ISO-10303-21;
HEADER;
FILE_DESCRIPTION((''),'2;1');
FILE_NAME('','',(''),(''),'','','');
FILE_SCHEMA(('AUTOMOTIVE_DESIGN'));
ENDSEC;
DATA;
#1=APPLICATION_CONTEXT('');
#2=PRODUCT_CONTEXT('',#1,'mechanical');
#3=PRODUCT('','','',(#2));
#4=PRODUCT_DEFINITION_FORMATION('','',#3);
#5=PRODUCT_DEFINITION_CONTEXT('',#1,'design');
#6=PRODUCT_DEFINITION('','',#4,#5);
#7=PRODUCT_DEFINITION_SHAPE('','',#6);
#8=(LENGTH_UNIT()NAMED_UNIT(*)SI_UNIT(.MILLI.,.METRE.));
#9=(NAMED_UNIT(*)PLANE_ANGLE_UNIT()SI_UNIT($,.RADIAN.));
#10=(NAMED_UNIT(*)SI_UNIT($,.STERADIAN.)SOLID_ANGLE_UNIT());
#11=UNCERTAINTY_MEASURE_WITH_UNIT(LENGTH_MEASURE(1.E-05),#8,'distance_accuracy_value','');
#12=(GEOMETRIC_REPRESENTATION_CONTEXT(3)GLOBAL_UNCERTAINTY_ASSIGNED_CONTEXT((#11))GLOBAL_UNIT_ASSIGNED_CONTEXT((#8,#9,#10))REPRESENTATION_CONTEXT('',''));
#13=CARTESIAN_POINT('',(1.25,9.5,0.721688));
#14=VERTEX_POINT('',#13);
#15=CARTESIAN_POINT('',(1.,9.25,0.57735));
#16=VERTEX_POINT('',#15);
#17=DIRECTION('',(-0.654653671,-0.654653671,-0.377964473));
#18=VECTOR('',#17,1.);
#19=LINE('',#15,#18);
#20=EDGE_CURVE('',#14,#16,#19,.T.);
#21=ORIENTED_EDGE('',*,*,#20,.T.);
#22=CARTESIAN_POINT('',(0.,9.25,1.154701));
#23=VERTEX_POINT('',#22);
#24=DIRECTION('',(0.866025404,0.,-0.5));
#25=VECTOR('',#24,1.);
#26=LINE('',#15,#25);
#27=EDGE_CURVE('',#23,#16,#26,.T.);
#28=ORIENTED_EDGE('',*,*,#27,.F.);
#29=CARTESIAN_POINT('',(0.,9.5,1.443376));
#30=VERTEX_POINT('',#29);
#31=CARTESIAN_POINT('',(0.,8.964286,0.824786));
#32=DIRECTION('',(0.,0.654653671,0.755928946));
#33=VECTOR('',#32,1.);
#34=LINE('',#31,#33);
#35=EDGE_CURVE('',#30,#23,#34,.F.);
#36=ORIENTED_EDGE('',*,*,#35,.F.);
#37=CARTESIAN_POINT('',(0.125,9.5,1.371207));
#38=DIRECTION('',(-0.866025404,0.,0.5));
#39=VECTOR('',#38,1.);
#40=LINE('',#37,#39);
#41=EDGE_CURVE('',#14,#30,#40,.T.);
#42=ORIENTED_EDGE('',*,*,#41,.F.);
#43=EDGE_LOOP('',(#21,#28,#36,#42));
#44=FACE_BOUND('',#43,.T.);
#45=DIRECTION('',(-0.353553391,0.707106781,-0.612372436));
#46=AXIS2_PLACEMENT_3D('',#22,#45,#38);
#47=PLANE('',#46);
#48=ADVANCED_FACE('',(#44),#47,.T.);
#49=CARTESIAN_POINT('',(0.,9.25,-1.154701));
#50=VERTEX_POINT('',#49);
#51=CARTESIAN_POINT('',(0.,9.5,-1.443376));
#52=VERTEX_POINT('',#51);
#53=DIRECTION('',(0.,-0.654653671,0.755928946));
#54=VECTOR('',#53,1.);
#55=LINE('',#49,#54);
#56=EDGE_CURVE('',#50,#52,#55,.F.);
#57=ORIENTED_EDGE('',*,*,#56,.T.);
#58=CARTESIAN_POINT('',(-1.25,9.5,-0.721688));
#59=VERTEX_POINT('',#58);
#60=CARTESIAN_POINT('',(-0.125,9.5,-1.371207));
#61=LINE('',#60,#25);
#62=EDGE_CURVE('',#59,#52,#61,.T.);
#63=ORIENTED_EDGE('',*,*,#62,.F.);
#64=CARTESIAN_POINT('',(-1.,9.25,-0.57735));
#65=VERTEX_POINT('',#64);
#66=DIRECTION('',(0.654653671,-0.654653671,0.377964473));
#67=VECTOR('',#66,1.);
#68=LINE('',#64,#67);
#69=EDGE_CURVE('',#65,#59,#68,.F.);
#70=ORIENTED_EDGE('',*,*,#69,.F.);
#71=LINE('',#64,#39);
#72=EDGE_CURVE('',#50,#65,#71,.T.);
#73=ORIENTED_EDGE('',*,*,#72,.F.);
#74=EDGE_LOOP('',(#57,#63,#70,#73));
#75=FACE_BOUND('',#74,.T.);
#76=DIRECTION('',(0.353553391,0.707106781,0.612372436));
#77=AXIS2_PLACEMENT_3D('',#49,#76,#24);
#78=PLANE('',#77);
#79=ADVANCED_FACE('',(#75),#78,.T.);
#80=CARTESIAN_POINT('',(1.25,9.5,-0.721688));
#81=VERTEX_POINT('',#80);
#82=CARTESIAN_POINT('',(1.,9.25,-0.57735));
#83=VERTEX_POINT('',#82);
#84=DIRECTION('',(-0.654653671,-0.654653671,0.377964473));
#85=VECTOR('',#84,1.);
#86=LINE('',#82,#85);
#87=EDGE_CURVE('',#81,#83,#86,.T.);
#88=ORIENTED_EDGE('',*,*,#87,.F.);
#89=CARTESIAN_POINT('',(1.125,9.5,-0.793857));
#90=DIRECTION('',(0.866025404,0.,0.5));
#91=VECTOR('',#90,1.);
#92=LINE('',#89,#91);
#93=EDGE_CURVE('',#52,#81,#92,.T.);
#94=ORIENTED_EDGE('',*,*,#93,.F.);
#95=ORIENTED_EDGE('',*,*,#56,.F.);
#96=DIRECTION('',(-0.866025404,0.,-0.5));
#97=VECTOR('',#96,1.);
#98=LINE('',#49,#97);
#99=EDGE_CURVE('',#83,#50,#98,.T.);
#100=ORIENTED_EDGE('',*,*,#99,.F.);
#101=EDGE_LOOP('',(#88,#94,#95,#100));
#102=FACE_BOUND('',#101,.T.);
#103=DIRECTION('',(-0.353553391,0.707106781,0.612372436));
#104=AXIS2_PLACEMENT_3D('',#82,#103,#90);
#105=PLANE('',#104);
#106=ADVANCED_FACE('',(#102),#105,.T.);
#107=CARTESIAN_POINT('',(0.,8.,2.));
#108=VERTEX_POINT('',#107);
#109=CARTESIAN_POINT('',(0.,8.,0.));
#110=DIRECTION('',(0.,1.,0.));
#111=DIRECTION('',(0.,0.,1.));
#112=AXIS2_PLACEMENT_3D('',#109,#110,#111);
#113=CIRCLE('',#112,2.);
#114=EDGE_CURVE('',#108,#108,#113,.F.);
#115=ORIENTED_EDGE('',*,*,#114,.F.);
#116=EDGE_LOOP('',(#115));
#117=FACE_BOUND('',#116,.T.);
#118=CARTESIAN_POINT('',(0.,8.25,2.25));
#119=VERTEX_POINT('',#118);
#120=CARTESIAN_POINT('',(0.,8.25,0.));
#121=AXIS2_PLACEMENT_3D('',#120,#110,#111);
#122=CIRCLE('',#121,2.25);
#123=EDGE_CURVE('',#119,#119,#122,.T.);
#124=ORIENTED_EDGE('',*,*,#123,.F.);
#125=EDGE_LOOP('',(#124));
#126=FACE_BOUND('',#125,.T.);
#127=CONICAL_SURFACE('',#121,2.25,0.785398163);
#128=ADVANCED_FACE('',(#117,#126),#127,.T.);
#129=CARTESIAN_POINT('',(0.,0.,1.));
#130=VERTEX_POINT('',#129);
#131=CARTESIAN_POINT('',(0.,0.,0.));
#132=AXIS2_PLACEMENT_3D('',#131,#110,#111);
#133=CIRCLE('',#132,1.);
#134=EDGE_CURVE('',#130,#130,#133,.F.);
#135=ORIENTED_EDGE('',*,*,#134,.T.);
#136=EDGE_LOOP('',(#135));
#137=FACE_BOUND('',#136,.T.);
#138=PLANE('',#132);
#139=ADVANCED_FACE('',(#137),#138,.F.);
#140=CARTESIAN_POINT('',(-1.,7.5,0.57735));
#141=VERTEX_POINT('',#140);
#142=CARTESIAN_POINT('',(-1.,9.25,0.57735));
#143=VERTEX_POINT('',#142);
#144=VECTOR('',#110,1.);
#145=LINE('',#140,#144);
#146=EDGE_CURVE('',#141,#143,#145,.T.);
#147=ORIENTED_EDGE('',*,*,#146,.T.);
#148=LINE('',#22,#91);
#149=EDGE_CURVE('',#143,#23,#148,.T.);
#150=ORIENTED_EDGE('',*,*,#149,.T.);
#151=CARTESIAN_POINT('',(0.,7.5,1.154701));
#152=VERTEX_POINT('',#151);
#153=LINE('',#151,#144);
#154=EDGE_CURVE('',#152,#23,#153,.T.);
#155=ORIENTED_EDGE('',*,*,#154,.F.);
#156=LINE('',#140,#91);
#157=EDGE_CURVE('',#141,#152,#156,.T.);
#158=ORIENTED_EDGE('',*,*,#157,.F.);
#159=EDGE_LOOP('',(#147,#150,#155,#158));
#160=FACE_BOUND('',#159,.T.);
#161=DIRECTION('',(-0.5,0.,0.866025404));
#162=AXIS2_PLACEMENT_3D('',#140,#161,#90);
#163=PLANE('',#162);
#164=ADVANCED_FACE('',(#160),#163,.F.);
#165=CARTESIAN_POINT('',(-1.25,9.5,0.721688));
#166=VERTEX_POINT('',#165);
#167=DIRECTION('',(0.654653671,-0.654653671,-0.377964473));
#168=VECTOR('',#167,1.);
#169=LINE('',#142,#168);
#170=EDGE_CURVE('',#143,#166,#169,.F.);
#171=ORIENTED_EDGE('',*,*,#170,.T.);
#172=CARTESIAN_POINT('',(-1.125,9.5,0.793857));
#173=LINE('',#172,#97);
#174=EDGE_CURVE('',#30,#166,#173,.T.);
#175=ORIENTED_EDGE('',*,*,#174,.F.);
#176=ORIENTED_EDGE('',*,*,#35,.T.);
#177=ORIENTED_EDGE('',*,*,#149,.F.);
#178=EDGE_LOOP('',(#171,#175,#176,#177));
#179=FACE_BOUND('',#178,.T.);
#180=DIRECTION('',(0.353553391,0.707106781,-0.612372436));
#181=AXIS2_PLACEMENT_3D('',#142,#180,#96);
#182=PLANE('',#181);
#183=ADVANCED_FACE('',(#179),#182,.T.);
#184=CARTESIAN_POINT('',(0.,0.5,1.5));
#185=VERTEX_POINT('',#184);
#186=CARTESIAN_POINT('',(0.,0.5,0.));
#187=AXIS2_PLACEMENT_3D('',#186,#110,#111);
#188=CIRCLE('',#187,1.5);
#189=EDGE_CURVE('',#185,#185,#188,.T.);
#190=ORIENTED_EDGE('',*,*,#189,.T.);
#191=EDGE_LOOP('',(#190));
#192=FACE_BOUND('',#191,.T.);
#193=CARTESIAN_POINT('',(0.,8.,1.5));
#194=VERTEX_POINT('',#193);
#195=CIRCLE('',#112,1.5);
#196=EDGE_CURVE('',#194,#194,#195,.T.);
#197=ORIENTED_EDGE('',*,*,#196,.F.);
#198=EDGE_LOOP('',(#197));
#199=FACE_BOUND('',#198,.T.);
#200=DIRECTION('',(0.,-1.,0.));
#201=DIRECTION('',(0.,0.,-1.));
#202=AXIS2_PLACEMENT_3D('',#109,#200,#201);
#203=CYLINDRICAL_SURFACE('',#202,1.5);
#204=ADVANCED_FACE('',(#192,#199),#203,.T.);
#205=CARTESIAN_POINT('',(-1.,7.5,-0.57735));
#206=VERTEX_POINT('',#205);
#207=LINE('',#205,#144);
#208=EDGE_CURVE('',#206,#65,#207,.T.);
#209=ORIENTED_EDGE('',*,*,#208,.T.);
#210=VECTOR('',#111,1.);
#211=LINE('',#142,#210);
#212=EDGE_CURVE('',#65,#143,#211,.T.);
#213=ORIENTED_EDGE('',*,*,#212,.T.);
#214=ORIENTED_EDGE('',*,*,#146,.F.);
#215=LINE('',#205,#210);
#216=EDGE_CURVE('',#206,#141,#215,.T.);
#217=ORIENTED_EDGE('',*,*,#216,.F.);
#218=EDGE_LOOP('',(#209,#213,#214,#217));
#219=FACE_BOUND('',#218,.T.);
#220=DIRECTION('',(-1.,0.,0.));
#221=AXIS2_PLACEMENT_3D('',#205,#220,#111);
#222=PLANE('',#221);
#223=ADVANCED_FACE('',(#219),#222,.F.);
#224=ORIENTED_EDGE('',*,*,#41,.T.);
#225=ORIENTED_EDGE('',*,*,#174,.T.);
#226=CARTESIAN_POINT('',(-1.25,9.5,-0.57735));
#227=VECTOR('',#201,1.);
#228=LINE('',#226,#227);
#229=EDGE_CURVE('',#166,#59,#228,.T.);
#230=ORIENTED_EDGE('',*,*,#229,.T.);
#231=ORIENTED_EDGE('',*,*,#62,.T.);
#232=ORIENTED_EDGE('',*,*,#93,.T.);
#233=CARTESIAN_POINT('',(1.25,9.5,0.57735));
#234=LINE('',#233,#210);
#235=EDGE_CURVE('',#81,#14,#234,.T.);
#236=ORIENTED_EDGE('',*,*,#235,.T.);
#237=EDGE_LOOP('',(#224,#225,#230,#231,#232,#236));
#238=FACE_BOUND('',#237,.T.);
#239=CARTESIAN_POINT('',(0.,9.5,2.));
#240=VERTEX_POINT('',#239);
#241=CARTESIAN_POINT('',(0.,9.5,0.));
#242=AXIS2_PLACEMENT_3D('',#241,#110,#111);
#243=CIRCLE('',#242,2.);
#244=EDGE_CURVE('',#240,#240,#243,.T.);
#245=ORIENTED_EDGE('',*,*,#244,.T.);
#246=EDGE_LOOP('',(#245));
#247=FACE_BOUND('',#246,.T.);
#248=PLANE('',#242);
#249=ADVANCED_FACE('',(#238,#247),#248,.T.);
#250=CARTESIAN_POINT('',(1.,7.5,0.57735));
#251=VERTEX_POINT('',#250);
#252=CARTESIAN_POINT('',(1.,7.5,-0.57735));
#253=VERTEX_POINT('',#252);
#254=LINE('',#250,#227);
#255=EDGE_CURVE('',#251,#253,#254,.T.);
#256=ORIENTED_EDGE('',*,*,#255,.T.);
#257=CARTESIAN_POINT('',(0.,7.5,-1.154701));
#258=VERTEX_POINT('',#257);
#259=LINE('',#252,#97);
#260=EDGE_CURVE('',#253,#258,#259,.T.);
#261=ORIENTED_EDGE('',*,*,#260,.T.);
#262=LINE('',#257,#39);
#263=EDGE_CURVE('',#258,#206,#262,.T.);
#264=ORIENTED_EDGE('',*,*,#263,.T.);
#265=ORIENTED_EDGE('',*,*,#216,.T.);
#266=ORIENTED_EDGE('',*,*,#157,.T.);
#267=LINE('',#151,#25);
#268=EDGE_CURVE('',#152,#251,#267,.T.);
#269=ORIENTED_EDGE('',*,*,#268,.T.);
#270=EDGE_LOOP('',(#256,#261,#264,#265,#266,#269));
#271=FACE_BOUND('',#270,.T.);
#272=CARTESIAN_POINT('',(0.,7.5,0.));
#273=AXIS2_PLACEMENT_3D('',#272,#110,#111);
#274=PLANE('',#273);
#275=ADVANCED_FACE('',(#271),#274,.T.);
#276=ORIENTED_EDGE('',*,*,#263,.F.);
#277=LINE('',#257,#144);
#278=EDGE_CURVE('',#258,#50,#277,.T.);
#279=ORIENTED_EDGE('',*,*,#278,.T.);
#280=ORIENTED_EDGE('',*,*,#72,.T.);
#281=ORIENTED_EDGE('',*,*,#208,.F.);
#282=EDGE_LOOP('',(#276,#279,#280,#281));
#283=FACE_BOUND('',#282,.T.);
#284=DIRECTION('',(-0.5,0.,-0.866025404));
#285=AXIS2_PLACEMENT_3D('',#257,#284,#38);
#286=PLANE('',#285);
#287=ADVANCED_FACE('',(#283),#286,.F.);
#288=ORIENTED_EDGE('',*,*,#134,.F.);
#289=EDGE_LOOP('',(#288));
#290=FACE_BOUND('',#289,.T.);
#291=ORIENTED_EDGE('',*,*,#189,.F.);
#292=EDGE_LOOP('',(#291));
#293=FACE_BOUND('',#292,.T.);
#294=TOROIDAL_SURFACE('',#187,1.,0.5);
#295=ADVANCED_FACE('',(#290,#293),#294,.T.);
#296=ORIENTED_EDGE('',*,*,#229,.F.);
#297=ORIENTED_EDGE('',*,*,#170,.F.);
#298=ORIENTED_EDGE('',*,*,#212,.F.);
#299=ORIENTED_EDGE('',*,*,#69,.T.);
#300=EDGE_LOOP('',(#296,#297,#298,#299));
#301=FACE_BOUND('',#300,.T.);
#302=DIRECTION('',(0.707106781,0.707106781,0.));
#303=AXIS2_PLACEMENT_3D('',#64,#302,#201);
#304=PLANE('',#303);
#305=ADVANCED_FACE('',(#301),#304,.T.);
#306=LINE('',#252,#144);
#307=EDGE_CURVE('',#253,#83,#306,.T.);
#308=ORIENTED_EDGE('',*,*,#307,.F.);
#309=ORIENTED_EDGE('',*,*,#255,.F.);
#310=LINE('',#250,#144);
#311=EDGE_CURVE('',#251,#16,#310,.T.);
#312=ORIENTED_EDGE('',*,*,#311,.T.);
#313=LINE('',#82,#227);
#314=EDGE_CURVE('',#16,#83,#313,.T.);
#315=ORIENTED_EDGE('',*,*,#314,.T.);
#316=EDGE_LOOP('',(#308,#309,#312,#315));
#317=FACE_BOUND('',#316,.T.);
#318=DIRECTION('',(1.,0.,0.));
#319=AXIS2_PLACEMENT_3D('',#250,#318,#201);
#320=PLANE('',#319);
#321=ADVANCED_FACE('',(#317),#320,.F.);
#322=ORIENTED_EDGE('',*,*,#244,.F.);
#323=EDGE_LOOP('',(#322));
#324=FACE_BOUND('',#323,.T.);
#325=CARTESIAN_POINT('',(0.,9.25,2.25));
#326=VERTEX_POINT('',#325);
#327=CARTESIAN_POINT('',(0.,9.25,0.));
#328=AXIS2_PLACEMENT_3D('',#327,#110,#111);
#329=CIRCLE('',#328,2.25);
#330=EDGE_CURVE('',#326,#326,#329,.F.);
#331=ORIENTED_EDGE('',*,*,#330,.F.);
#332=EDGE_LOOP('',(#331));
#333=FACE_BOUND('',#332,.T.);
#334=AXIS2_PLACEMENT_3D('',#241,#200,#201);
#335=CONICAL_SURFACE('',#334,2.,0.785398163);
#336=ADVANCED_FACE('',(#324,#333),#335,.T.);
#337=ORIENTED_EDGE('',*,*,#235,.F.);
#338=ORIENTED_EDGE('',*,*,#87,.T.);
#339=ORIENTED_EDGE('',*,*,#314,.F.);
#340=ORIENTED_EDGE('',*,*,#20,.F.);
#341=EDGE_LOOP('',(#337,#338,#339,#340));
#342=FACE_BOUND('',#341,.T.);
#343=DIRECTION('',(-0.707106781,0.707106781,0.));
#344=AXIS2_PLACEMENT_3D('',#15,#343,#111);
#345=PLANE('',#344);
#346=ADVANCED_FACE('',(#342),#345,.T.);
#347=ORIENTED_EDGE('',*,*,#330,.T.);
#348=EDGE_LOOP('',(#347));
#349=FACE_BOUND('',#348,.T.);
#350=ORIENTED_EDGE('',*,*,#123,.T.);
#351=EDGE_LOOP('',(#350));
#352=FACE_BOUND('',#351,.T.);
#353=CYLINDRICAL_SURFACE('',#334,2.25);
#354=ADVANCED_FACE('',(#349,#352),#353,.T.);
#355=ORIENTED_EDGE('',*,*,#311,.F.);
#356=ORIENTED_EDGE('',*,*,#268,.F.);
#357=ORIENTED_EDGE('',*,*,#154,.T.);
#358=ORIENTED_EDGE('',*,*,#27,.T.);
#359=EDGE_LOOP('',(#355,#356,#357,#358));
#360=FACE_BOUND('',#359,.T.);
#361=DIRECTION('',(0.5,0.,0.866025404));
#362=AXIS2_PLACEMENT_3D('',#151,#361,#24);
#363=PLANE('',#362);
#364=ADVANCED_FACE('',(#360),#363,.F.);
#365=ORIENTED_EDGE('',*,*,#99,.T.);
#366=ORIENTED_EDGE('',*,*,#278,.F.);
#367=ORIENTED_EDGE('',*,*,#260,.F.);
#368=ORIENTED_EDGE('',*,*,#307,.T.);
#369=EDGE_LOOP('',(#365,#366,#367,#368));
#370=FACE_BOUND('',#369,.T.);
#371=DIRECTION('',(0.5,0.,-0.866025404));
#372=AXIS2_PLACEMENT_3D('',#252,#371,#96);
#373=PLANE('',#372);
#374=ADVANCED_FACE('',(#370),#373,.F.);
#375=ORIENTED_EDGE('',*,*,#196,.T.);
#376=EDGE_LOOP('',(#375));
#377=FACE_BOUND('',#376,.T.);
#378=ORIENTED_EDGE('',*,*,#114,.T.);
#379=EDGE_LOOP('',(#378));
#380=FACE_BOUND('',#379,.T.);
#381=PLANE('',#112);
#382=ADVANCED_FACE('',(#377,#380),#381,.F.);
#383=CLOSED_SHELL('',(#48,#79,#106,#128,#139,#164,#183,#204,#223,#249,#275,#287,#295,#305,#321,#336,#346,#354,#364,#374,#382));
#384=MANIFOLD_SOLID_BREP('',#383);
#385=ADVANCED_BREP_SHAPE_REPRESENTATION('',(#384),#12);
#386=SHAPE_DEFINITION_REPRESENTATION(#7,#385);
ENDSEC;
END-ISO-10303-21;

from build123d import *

# Parameters (mm, degrees)
SKETCH1_R           = 1.5
BOSS_EXTRUDE1_DEPTH = 8
SKETCH2_R           = 2.25
BOSS_EXTRUDE2_DEPTH = 1.5
CUT_EXTRUDE1_DEPTH  = 2
CHAMFER1_SIZE       = 0.25
FILLET1_R           = 0.5


with BuildPart() as part:
    # Sketch1 → Boss-Extrude1 (new body)
    with BuildSketch(Plane(origin=(0, 0, 0), x_dir=(1, 0, 0), z_dir=(0, 1, 0))):
        with Locations(Location((0, 0, 0), (0, 0, 270))):
            Circle(SKETCH1_R)
    extrude(amount=BOSS_EXTRUDE1_DEPTH)

    # Sketch2 → Boss-Extrude2 (add)
    with BuildSketch(Plane(origin=(0, 8, 0), x_dir=(1, 0, 0), z_dir=(0, 1, 0))):
        with Locations(Location((0, 0, 0), (0, 0, 270))):
            Circle(SKETCH2_R)
    extrude(amount=BOSS_EXTRUDE2_DEPTH)

    # Sketch3 → Cut-Extrude1 (cut)
    with BuildSketch(Plane(origin=(0, 9.5, 0), x_dir=(1, 0, 0), z_dir=(0, 1, 0))):
        Polygon((0, 1.154700538), (-1, 0.577350269), (-1, -0.577350269), (0, -1.154700538), (1, -0.577350269), (1, 0.577350269), align=None)
    extrude(amount=-CUT_EXTRUDE1_DEPTH, mode=Mode.SUBTRACT)

    # Chamfer1
    chamfer1_edges = [part.edges().sort_by_distance(p)[0] for p in [
        (0.5, 9.5, -0.866025404),
        (-0.5, 9.5, -0.866025404),
        (-1, 9.5, 0),
        (-0.5, 9.5, 0.866025404),
        (0.5, 9.5, 0.866025404),
        (1, 9.5, 0),
        (0, 8, -2.25),
        (0, 9.5, -2.25),
    ]]
    chamfer(chamfer1_edges, length=CHAMFER1_SIZE)

    # Fillet1
    fillet1_edges = [part.edges().sort_by_distance(p)[0] for p in [
        (0, 0, -1.5),
    ]]
    fillet(fillet1_edges, radius=FILLET1_R)


solid = part.part
